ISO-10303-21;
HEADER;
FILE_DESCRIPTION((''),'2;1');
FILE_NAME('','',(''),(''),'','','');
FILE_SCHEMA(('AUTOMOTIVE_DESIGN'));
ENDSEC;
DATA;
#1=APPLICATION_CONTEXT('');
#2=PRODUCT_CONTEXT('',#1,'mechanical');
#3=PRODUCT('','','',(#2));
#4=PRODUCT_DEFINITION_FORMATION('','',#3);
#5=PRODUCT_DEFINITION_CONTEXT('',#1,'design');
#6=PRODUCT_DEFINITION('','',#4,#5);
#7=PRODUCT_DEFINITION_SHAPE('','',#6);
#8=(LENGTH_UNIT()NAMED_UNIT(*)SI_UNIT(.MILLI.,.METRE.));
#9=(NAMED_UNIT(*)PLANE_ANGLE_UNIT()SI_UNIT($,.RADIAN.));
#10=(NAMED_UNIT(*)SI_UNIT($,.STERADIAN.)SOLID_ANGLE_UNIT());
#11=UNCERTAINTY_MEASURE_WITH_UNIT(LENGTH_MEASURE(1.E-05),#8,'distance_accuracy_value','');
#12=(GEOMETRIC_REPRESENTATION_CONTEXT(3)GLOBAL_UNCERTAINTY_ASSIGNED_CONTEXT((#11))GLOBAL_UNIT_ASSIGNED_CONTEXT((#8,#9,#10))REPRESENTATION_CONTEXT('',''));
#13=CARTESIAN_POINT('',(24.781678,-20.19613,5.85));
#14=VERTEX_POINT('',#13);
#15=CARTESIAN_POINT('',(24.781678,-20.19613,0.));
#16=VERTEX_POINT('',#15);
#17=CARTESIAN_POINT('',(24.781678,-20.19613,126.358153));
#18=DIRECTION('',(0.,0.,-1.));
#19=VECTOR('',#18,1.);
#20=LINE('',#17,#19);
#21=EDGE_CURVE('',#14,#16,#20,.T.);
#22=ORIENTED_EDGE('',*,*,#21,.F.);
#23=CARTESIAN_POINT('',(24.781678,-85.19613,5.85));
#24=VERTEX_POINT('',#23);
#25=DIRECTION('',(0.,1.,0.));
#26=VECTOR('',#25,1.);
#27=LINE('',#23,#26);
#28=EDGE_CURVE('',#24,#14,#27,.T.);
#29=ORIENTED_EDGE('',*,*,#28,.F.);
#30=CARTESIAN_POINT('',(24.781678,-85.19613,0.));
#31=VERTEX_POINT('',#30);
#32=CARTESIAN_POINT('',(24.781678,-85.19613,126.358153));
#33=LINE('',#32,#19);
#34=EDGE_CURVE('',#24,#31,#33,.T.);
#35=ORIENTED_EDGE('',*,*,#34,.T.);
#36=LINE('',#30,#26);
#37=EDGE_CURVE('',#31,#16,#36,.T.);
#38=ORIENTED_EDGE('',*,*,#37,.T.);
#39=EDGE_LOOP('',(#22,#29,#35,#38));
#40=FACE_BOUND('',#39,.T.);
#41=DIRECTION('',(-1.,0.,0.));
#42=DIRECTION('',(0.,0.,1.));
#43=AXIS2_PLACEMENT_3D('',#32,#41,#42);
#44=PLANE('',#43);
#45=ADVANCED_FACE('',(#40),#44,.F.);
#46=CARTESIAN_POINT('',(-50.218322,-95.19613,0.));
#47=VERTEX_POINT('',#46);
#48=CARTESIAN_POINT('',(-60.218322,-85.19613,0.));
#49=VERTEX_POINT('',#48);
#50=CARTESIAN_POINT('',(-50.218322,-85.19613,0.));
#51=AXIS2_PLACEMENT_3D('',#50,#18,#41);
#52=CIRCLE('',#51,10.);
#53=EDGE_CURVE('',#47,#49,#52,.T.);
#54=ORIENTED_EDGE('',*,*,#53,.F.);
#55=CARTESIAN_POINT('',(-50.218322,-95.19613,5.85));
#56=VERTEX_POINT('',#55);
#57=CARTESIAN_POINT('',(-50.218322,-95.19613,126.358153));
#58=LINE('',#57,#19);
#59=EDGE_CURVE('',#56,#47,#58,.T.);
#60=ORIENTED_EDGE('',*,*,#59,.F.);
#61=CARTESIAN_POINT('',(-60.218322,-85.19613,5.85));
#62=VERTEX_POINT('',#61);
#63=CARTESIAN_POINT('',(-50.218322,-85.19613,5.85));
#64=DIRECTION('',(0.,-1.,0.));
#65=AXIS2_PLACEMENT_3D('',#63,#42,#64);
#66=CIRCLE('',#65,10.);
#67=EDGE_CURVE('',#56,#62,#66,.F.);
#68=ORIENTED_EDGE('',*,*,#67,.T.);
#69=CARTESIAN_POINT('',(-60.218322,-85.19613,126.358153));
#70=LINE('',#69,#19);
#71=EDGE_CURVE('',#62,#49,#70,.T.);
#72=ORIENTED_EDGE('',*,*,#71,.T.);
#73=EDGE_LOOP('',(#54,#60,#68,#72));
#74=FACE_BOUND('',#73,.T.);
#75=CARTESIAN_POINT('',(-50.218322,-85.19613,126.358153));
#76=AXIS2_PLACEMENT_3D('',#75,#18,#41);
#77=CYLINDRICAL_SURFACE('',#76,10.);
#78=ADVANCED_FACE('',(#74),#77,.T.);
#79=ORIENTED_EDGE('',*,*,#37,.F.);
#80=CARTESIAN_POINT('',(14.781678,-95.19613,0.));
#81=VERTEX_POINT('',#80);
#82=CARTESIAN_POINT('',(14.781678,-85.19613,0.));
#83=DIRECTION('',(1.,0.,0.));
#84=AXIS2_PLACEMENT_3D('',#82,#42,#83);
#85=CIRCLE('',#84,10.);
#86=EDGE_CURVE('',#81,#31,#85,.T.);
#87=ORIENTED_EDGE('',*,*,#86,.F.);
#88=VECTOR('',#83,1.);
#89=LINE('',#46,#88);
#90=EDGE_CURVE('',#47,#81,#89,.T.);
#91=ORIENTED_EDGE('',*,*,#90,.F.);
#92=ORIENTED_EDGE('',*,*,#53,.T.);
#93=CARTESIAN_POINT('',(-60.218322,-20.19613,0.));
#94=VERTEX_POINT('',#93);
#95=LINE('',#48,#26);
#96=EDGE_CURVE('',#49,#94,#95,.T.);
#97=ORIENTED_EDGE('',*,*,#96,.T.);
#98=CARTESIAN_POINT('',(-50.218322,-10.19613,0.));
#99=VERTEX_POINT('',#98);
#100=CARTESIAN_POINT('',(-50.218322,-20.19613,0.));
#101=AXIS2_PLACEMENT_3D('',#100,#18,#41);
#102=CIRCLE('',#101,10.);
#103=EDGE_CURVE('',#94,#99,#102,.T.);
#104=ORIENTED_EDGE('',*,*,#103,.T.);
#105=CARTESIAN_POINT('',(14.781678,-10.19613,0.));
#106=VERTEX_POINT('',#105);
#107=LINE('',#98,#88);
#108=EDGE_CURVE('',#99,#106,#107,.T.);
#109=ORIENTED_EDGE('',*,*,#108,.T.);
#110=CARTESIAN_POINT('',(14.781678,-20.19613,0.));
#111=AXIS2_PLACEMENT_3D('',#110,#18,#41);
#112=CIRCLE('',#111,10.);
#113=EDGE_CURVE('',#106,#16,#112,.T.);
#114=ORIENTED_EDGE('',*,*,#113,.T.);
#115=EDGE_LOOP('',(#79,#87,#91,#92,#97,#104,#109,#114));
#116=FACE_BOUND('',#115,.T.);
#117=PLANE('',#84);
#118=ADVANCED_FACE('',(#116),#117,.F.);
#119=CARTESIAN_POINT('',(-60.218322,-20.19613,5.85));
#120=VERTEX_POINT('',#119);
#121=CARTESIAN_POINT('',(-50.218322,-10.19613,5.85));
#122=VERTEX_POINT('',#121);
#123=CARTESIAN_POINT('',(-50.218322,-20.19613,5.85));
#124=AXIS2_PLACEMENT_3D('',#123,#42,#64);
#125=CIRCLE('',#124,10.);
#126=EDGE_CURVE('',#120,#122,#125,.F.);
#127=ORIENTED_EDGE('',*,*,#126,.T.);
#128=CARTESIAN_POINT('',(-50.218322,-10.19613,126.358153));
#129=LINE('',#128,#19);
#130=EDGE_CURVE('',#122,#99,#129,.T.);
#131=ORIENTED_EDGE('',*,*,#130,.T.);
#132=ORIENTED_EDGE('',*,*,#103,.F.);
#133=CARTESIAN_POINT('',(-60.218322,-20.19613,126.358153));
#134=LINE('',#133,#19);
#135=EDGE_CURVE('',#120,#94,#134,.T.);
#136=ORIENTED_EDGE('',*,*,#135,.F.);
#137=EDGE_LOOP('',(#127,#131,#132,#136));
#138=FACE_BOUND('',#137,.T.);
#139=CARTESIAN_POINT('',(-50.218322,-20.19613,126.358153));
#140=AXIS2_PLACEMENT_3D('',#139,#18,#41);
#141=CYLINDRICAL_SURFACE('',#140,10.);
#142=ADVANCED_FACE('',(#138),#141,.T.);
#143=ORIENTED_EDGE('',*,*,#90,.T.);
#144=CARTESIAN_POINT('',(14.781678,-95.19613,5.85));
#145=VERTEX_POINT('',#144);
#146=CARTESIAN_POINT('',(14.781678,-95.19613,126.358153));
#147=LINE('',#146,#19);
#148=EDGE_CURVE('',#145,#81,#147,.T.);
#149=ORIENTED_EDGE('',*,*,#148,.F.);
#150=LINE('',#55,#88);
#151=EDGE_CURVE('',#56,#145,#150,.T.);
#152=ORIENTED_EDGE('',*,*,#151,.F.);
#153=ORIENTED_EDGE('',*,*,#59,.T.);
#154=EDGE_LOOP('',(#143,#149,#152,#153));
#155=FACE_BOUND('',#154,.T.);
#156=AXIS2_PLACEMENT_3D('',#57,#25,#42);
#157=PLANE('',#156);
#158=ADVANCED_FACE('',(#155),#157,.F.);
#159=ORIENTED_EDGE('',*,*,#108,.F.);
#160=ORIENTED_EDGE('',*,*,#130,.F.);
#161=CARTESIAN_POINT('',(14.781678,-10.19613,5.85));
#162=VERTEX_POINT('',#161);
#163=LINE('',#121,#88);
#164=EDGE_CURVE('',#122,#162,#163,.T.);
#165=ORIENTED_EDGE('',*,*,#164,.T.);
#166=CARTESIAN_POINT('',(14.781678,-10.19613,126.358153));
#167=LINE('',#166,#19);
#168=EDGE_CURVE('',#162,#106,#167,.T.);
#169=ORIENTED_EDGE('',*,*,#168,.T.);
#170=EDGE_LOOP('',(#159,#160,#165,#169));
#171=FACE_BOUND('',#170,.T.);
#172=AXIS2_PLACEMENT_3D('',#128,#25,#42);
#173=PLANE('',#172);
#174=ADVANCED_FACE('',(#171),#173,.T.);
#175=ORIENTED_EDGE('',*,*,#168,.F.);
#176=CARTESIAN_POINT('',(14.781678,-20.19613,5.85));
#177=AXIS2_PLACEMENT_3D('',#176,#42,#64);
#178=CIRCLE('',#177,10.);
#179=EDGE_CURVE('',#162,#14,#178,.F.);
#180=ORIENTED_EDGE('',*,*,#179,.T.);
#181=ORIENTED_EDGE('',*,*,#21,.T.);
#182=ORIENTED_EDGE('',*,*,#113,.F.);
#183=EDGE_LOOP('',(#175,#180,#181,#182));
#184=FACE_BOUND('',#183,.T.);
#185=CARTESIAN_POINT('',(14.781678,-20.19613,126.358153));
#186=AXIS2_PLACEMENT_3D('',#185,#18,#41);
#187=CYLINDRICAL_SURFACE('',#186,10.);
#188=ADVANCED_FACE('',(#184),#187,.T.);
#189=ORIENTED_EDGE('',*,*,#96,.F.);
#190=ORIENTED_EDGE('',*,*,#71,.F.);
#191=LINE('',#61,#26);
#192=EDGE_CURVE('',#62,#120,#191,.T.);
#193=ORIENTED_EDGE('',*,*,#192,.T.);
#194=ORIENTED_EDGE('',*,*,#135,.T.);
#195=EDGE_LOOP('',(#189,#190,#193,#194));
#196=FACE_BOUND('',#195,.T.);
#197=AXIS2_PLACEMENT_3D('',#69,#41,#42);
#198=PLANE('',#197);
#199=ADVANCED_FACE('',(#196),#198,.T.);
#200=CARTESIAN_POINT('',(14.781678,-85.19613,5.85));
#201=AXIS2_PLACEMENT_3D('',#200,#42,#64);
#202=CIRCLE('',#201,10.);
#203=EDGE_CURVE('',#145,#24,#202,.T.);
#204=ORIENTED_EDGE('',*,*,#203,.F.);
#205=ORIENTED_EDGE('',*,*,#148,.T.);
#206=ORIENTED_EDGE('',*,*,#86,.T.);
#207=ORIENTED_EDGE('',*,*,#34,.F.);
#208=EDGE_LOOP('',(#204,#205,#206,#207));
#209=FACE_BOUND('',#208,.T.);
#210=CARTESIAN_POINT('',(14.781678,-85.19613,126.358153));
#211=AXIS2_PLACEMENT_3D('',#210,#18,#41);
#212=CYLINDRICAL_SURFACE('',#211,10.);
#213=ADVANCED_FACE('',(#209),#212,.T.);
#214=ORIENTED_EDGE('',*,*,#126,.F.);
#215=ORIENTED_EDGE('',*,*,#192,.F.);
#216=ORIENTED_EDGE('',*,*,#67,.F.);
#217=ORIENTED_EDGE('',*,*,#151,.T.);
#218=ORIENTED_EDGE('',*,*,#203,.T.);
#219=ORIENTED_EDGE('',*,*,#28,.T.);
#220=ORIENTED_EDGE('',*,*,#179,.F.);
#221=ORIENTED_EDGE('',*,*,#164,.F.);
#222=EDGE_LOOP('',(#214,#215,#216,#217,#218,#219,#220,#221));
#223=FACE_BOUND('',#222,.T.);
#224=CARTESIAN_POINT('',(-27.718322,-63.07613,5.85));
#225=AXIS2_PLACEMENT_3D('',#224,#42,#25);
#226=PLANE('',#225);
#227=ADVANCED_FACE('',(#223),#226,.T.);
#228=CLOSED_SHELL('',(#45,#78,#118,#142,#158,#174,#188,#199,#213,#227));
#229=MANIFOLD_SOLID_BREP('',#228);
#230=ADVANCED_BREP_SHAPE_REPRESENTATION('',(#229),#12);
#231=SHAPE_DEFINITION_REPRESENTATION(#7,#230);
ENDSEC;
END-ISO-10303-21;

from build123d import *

# Parameters (mm, degrees)
BOSS_EXTRUDE1_DEPTH = 5.85


with BuildPart() as part:
    # Sketch1 → Boss-Extrude1 (new body)
    with BuildSketch(Plane.XY):
        with BuildLine():
            Line((-50.218321512, -95.19612962), (14.781678488, -95.19612962))
            ThreePointArc((14.781678488, -95.19612962), (21.8527463, -92.267197431), (24.781678488, -85.19612962))
            Line((24.781678488, -85.19612962), (24.781678488, -20.19612962))
            ThreePointArc((24.781678488, -20.19612962), (21.8527463, -13.125061808), (14.781678488, -10.19612962))
            Line((14.781678488, -10.19612962), (-50.218321512, -10.19612962))
            ThreePointArc((-50.218321512, -10.19612962), (-57.289389324, -13.125061808), (-60.218321512, -20.19612962))
            Line((-60.218321512, -20.19612962), (-60.218321512, -85.19612962))
            ThreePointArc((-60.218321512, -85.19612962), (-57.289389324, -92.267197431), (-50.218321512, -95.19612962))
        make_face()
    extrude(amount=BOSS_EXTRUDE1_DEPTH)


solid = part.part
